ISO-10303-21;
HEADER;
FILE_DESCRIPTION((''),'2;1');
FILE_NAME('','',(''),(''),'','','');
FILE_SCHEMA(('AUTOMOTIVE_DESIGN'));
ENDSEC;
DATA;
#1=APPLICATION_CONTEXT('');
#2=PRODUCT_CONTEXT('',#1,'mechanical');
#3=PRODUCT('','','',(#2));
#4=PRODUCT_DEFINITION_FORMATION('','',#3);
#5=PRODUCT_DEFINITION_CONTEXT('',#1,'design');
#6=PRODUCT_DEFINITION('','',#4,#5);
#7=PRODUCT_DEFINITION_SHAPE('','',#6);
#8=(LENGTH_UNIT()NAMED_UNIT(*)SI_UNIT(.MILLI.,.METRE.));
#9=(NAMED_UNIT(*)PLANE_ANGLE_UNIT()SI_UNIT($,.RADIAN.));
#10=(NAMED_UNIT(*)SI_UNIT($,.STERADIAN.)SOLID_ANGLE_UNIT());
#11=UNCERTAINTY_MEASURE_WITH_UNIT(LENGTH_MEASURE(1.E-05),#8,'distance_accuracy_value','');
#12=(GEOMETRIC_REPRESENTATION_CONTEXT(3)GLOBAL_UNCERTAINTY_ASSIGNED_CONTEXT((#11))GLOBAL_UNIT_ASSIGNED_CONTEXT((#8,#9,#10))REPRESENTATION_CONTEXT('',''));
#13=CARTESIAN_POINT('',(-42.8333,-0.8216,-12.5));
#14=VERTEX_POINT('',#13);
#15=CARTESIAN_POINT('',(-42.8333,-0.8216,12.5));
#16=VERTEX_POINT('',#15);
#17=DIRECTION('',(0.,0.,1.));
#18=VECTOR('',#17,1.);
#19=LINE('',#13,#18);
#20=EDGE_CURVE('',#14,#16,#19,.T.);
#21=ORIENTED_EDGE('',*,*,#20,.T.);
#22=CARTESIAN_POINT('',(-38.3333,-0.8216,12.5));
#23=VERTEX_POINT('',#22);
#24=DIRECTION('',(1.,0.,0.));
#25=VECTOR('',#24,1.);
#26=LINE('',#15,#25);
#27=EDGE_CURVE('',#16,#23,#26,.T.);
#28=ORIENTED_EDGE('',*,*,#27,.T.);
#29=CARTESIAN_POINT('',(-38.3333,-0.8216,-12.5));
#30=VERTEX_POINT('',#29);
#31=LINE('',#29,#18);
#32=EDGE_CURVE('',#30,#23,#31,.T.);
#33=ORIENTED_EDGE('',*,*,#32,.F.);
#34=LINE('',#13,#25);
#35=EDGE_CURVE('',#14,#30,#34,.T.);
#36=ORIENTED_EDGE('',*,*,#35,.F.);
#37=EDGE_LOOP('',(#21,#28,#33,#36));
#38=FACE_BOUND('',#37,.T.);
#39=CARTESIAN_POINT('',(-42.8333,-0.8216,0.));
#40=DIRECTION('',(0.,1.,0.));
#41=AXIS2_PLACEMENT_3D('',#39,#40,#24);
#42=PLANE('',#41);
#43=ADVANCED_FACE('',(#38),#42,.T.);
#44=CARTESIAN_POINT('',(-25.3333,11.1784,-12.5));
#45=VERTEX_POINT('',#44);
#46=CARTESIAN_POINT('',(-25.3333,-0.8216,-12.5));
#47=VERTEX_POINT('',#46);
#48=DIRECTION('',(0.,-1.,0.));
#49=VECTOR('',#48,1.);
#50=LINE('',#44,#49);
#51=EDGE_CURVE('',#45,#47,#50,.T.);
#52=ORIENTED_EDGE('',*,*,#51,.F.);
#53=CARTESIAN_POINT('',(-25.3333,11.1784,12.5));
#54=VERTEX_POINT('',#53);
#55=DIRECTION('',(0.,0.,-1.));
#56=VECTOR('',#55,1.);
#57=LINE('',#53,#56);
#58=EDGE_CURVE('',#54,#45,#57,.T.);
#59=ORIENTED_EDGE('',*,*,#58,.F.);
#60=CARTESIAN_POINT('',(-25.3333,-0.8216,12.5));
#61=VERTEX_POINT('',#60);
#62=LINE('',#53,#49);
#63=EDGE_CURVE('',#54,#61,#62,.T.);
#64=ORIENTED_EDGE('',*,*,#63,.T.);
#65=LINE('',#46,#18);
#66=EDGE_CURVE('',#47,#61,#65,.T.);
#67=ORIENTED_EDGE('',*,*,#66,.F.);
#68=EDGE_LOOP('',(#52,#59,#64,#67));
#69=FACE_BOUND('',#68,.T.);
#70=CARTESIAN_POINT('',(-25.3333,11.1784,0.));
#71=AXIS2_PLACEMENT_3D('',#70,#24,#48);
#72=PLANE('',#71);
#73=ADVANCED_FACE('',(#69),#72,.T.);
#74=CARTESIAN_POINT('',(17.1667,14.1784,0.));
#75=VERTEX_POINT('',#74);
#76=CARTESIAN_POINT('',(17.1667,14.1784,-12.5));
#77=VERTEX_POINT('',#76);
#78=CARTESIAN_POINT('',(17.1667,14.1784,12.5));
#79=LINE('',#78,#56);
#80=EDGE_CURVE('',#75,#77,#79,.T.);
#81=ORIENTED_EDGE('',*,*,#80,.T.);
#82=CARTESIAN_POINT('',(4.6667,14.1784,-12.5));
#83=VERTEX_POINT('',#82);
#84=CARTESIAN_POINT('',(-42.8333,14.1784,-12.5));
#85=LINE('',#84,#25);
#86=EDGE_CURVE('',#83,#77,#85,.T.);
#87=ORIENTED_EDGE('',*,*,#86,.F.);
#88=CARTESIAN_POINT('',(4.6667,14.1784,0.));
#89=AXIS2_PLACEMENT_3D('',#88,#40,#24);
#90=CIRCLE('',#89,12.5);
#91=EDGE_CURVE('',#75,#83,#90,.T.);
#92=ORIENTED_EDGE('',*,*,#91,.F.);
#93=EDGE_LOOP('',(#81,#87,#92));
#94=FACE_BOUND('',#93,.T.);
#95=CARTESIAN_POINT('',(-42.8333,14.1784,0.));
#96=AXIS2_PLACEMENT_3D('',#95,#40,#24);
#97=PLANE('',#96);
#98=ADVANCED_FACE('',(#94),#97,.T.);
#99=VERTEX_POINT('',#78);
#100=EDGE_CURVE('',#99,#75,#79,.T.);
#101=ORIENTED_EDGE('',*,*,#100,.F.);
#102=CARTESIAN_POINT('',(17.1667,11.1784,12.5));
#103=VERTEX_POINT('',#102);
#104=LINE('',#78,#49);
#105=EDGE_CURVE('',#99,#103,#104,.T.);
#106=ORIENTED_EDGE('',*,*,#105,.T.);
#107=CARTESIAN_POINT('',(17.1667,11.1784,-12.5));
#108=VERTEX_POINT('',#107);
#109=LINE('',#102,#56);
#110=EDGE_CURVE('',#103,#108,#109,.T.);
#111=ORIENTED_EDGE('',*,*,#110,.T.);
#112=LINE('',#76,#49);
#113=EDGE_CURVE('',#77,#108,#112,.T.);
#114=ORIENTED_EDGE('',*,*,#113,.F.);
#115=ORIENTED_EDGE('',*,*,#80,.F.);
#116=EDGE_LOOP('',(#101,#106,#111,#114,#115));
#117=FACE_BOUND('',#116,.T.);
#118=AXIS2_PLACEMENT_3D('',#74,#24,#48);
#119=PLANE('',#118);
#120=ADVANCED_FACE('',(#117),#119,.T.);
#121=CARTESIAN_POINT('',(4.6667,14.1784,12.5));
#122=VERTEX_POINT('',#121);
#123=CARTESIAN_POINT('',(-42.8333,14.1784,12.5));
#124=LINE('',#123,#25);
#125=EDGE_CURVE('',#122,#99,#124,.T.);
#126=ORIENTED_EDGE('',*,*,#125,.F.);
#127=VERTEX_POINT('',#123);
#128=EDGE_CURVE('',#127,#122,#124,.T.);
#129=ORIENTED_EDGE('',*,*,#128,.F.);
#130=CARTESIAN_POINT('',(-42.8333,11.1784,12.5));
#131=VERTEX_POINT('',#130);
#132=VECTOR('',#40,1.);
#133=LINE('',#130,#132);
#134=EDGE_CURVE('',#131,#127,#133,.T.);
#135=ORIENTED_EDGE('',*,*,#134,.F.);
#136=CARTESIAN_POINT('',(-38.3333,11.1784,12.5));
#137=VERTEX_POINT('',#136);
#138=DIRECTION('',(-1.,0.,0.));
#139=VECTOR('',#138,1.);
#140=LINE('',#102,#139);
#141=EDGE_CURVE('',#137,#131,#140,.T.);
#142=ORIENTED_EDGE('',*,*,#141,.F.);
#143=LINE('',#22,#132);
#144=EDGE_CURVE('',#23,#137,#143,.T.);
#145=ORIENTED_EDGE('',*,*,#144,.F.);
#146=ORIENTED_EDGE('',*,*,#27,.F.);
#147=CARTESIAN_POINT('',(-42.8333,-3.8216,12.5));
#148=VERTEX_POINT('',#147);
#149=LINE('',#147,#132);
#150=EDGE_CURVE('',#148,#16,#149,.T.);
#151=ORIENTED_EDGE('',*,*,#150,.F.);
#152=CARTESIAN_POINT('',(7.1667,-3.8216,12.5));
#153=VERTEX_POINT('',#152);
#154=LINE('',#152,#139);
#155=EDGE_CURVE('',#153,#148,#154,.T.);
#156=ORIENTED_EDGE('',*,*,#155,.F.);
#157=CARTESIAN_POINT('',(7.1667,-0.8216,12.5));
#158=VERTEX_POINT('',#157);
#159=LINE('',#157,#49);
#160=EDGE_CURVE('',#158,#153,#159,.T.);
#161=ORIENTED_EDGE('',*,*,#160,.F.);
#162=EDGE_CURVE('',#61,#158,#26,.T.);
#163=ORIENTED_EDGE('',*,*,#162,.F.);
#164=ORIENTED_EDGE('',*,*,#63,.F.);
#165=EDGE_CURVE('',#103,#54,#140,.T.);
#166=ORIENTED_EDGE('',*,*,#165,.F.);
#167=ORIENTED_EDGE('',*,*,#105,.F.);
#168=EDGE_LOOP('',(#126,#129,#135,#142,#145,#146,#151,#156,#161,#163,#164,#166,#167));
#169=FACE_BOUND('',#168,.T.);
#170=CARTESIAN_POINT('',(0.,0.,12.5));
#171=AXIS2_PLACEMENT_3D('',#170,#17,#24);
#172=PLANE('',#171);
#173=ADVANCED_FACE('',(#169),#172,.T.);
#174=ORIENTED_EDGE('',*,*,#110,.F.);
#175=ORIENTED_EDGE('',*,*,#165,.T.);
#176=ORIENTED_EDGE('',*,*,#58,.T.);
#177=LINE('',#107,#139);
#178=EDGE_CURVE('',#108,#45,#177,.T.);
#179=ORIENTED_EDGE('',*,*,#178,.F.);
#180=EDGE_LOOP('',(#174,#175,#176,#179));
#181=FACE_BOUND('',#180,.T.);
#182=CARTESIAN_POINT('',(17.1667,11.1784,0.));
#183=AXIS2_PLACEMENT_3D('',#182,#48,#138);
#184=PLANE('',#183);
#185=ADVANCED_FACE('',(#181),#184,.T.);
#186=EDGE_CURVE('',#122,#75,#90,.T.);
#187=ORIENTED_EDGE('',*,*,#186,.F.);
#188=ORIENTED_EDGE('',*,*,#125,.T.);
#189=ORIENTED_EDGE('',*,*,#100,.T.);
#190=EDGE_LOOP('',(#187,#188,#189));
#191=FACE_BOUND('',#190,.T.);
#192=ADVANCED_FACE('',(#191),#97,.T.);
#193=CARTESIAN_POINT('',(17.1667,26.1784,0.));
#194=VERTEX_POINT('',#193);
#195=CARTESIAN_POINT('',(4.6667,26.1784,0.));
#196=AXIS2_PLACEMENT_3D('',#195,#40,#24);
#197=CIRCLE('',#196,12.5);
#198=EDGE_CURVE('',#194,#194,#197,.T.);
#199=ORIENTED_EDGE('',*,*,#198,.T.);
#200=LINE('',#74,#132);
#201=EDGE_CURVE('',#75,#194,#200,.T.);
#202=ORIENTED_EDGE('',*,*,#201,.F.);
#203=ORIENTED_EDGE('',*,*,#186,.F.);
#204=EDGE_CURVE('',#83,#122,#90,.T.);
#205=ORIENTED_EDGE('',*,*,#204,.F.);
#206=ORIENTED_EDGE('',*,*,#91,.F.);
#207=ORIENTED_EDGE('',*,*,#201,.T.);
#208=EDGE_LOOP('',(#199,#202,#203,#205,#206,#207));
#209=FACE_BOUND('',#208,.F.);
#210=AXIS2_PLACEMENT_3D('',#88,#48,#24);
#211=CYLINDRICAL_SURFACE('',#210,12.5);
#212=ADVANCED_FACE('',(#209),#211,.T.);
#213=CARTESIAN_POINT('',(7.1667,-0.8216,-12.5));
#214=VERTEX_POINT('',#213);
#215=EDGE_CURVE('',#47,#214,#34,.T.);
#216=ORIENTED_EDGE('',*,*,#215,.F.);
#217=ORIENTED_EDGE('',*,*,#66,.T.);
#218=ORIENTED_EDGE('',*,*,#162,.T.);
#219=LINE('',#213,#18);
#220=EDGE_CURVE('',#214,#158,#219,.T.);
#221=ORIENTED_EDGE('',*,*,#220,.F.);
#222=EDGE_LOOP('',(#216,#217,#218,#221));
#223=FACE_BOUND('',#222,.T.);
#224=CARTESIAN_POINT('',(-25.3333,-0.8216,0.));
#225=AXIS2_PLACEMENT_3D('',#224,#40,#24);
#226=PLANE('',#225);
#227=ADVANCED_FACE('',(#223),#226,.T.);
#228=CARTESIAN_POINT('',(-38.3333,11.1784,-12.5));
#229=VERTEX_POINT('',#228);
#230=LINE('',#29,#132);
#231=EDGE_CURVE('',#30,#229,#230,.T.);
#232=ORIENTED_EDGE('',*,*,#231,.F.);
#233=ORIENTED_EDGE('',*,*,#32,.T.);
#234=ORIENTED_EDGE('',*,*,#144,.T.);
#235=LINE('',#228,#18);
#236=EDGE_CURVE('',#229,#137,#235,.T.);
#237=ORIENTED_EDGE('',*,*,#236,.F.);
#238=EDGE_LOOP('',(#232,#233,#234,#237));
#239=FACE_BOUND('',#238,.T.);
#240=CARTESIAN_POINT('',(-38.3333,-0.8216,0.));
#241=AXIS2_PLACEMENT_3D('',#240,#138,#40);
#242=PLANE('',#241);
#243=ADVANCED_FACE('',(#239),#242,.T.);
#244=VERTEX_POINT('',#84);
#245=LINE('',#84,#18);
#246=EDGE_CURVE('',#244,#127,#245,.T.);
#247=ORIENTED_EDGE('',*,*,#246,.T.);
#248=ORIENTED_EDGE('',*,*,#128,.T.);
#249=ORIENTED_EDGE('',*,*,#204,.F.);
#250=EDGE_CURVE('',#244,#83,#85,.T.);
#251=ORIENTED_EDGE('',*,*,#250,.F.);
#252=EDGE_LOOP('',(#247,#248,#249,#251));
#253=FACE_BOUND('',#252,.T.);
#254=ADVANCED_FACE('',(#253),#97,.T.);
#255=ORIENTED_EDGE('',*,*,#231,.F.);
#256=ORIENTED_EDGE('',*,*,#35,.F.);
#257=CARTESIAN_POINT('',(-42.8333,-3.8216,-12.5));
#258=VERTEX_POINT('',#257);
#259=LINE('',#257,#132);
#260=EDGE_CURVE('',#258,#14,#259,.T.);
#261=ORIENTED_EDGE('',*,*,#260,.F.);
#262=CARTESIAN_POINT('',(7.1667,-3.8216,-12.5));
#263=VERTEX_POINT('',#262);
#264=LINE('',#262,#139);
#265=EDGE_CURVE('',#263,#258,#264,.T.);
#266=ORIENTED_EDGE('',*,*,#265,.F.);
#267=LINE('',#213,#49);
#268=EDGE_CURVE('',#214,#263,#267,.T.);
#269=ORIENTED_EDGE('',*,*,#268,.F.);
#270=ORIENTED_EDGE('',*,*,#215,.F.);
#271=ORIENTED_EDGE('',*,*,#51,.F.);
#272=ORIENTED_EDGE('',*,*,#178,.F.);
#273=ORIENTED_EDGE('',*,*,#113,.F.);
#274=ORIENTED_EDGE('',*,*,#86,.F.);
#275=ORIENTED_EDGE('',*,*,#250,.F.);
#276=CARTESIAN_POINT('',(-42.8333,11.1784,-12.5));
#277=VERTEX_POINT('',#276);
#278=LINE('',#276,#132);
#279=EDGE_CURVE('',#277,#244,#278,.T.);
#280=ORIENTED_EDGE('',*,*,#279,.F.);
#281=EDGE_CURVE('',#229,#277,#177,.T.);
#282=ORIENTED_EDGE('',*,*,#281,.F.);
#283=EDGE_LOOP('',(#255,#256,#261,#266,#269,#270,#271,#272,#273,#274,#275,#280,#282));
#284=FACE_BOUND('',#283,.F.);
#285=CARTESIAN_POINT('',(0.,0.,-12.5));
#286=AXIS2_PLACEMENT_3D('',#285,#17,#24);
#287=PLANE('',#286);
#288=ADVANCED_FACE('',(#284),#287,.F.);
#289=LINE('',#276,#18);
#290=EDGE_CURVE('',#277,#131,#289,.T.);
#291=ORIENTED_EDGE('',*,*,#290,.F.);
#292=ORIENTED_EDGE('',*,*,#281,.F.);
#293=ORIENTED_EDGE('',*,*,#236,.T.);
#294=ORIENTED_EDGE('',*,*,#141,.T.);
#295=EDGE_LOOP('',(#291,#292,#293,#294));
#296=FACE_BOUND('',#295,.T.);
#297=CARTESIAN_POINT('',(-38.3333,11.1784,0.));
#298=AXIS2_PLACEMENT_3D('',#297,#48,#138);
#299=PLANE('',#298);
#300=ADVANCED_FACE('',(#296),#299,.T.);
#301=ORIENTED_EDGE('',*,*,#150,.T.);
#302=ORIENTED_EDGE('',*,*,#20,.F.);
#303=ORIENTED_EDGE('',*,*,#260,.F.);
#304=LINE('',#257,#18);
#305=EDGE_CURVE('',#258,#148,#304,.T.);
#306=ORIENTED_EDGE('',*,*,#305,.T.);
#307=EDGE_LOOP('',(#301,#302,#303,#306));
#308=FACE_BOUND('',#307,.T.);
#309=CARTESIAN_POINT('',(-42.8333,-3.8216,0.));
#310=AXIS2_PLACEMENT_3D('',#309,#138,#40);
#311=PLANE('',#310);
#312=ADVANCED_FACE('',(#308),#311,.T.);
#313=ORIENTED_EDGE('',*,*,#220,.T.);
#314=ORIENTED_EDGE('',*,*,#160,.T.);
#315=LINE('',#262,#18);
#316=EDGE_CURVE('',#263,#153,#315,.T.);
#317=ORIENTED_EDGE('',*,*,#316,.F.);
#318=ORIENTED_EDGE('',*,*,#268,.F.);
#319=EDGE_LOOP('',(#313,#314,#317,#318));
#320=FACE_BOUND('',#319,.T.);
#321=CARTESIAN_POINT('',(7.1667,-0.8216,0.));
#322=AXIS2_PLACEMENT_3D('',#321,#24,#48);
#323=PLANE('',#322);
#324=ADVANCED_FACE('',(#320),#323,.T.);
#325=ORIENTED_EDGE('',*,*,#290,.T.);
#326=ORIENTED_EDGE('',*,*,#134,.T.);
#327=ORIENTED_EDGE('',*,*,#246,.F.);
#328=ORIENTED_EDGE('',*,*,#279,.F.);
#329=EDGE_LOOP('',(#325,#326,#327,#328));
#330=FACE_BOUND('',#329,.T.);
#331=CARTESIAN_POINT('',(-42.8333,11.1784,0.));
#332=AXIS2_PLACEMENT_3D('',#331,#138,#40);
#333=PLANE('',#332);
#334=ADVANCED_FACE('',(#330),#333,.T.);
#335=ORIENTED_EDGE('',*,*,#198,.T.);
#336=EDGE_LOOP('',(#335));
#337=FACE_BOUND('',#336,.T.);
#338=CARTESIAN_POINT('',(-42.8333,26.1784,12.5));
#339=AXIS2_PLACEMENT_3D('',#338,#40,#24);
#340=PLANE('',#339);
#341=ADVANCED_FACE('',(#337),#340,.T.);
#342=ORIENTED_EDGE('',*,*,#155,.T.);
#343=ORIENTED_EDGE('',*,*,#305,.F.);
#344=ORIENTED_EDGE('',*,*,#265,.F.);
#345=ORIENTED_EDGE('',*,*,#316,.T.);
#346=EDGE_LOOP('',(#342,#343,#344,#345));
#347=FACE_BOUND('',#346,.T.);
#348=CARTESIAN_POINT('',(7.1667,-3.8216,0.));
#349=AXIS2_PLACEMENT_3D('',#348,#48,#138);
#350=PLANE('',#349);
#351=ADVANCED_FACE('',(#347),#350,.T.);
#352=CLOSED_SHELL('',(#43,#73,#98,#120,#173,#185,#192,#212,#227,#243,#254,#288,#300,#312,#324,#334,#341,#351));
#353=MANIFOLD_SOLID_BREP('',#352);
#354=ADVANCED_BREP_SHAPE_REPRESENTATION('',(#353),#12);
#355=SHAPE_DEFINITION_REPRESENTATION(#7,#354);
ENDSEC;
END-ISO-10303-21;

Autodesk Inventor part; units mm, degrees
ref_plane "YZ Plane" through (0, 0, 0) normal (1, 0, 0) x (0, 1, 0)
ref_plane "XZ Plane" through (0, 0, 0) normal (0, 1, 0) x (-1, 0, 0)
ref_plane "XY Plane" through (0, 0, 0) normal (0, 0, 1) x (1, 0, 0)
sketch "Sketch6" plane through (0, 0, 0) normal (0, 0, 1) x (1, 0, 0)
  line L0 (-42.8333, 14.1784) -> (17.1667, 14.1784)
  line L1 (17.1667, 14.1784) -> (17.1667, 11.1784)
  line L2 (17.1667, 11.1784) -> (-42.8333, 11.1784)
  line L3 (-42.8333, 11.1784) -> (-42.8333, 14.1784)
  line L4 (-38.3333, 11.1784) -> (-25.3333, 11.1784)
  line L5 (-25.3333, 11.1784) -> (-25.3333, -0.8216)
  line L6 (-25.3333, -0.8216) -> (-38.3333, -0.8216)
  line L7 (-38.3333, -0.8216) -> (-38.3333, 11.1784)
  line L8 (-42.8333, -0.8216) -> (7.1667, -0.8216)
  line L9 (7.1667, -0.8216) -> (7.1667, -3.8216)
  line L10 (7.1667, -3.8216) -> (-42.8333, -3.8216)
  line L11 (-42.8333, -3.8216) -> (-42.8333, -0.8216)
  point P0 (0, 0)
  dimension "d27" = 3
  dimension "d28" = 60
  dimension "d29" = 13
  dimension "d30" = 4.5
  dimension "d31" = 12
  dimension "d34" = 50
  dimension "d35" = 3
  dimension "d36" = 0
extrude "Extrusion4" add sketch "Sketch6" along normal mid plane 25
sketch "Sketch7" plane through (-42.8333, 14.1784, 12.5) normal (0, 1, 0) x (1, 0, 0)
  circle A0 centre (47.5, 12.5) radius 12.5
  line L0 (60, 25) -> (60, 0) projected
  point P0 (42.8333, 12.5)
  dimension "d39" = 25
  dimension "d40" = 12.5
extrude "Extrusion5" add sketch "Sketch7" along normal blind 12
equation "\"d40\" = 0.5 * d39"
properties part number "Lens"
